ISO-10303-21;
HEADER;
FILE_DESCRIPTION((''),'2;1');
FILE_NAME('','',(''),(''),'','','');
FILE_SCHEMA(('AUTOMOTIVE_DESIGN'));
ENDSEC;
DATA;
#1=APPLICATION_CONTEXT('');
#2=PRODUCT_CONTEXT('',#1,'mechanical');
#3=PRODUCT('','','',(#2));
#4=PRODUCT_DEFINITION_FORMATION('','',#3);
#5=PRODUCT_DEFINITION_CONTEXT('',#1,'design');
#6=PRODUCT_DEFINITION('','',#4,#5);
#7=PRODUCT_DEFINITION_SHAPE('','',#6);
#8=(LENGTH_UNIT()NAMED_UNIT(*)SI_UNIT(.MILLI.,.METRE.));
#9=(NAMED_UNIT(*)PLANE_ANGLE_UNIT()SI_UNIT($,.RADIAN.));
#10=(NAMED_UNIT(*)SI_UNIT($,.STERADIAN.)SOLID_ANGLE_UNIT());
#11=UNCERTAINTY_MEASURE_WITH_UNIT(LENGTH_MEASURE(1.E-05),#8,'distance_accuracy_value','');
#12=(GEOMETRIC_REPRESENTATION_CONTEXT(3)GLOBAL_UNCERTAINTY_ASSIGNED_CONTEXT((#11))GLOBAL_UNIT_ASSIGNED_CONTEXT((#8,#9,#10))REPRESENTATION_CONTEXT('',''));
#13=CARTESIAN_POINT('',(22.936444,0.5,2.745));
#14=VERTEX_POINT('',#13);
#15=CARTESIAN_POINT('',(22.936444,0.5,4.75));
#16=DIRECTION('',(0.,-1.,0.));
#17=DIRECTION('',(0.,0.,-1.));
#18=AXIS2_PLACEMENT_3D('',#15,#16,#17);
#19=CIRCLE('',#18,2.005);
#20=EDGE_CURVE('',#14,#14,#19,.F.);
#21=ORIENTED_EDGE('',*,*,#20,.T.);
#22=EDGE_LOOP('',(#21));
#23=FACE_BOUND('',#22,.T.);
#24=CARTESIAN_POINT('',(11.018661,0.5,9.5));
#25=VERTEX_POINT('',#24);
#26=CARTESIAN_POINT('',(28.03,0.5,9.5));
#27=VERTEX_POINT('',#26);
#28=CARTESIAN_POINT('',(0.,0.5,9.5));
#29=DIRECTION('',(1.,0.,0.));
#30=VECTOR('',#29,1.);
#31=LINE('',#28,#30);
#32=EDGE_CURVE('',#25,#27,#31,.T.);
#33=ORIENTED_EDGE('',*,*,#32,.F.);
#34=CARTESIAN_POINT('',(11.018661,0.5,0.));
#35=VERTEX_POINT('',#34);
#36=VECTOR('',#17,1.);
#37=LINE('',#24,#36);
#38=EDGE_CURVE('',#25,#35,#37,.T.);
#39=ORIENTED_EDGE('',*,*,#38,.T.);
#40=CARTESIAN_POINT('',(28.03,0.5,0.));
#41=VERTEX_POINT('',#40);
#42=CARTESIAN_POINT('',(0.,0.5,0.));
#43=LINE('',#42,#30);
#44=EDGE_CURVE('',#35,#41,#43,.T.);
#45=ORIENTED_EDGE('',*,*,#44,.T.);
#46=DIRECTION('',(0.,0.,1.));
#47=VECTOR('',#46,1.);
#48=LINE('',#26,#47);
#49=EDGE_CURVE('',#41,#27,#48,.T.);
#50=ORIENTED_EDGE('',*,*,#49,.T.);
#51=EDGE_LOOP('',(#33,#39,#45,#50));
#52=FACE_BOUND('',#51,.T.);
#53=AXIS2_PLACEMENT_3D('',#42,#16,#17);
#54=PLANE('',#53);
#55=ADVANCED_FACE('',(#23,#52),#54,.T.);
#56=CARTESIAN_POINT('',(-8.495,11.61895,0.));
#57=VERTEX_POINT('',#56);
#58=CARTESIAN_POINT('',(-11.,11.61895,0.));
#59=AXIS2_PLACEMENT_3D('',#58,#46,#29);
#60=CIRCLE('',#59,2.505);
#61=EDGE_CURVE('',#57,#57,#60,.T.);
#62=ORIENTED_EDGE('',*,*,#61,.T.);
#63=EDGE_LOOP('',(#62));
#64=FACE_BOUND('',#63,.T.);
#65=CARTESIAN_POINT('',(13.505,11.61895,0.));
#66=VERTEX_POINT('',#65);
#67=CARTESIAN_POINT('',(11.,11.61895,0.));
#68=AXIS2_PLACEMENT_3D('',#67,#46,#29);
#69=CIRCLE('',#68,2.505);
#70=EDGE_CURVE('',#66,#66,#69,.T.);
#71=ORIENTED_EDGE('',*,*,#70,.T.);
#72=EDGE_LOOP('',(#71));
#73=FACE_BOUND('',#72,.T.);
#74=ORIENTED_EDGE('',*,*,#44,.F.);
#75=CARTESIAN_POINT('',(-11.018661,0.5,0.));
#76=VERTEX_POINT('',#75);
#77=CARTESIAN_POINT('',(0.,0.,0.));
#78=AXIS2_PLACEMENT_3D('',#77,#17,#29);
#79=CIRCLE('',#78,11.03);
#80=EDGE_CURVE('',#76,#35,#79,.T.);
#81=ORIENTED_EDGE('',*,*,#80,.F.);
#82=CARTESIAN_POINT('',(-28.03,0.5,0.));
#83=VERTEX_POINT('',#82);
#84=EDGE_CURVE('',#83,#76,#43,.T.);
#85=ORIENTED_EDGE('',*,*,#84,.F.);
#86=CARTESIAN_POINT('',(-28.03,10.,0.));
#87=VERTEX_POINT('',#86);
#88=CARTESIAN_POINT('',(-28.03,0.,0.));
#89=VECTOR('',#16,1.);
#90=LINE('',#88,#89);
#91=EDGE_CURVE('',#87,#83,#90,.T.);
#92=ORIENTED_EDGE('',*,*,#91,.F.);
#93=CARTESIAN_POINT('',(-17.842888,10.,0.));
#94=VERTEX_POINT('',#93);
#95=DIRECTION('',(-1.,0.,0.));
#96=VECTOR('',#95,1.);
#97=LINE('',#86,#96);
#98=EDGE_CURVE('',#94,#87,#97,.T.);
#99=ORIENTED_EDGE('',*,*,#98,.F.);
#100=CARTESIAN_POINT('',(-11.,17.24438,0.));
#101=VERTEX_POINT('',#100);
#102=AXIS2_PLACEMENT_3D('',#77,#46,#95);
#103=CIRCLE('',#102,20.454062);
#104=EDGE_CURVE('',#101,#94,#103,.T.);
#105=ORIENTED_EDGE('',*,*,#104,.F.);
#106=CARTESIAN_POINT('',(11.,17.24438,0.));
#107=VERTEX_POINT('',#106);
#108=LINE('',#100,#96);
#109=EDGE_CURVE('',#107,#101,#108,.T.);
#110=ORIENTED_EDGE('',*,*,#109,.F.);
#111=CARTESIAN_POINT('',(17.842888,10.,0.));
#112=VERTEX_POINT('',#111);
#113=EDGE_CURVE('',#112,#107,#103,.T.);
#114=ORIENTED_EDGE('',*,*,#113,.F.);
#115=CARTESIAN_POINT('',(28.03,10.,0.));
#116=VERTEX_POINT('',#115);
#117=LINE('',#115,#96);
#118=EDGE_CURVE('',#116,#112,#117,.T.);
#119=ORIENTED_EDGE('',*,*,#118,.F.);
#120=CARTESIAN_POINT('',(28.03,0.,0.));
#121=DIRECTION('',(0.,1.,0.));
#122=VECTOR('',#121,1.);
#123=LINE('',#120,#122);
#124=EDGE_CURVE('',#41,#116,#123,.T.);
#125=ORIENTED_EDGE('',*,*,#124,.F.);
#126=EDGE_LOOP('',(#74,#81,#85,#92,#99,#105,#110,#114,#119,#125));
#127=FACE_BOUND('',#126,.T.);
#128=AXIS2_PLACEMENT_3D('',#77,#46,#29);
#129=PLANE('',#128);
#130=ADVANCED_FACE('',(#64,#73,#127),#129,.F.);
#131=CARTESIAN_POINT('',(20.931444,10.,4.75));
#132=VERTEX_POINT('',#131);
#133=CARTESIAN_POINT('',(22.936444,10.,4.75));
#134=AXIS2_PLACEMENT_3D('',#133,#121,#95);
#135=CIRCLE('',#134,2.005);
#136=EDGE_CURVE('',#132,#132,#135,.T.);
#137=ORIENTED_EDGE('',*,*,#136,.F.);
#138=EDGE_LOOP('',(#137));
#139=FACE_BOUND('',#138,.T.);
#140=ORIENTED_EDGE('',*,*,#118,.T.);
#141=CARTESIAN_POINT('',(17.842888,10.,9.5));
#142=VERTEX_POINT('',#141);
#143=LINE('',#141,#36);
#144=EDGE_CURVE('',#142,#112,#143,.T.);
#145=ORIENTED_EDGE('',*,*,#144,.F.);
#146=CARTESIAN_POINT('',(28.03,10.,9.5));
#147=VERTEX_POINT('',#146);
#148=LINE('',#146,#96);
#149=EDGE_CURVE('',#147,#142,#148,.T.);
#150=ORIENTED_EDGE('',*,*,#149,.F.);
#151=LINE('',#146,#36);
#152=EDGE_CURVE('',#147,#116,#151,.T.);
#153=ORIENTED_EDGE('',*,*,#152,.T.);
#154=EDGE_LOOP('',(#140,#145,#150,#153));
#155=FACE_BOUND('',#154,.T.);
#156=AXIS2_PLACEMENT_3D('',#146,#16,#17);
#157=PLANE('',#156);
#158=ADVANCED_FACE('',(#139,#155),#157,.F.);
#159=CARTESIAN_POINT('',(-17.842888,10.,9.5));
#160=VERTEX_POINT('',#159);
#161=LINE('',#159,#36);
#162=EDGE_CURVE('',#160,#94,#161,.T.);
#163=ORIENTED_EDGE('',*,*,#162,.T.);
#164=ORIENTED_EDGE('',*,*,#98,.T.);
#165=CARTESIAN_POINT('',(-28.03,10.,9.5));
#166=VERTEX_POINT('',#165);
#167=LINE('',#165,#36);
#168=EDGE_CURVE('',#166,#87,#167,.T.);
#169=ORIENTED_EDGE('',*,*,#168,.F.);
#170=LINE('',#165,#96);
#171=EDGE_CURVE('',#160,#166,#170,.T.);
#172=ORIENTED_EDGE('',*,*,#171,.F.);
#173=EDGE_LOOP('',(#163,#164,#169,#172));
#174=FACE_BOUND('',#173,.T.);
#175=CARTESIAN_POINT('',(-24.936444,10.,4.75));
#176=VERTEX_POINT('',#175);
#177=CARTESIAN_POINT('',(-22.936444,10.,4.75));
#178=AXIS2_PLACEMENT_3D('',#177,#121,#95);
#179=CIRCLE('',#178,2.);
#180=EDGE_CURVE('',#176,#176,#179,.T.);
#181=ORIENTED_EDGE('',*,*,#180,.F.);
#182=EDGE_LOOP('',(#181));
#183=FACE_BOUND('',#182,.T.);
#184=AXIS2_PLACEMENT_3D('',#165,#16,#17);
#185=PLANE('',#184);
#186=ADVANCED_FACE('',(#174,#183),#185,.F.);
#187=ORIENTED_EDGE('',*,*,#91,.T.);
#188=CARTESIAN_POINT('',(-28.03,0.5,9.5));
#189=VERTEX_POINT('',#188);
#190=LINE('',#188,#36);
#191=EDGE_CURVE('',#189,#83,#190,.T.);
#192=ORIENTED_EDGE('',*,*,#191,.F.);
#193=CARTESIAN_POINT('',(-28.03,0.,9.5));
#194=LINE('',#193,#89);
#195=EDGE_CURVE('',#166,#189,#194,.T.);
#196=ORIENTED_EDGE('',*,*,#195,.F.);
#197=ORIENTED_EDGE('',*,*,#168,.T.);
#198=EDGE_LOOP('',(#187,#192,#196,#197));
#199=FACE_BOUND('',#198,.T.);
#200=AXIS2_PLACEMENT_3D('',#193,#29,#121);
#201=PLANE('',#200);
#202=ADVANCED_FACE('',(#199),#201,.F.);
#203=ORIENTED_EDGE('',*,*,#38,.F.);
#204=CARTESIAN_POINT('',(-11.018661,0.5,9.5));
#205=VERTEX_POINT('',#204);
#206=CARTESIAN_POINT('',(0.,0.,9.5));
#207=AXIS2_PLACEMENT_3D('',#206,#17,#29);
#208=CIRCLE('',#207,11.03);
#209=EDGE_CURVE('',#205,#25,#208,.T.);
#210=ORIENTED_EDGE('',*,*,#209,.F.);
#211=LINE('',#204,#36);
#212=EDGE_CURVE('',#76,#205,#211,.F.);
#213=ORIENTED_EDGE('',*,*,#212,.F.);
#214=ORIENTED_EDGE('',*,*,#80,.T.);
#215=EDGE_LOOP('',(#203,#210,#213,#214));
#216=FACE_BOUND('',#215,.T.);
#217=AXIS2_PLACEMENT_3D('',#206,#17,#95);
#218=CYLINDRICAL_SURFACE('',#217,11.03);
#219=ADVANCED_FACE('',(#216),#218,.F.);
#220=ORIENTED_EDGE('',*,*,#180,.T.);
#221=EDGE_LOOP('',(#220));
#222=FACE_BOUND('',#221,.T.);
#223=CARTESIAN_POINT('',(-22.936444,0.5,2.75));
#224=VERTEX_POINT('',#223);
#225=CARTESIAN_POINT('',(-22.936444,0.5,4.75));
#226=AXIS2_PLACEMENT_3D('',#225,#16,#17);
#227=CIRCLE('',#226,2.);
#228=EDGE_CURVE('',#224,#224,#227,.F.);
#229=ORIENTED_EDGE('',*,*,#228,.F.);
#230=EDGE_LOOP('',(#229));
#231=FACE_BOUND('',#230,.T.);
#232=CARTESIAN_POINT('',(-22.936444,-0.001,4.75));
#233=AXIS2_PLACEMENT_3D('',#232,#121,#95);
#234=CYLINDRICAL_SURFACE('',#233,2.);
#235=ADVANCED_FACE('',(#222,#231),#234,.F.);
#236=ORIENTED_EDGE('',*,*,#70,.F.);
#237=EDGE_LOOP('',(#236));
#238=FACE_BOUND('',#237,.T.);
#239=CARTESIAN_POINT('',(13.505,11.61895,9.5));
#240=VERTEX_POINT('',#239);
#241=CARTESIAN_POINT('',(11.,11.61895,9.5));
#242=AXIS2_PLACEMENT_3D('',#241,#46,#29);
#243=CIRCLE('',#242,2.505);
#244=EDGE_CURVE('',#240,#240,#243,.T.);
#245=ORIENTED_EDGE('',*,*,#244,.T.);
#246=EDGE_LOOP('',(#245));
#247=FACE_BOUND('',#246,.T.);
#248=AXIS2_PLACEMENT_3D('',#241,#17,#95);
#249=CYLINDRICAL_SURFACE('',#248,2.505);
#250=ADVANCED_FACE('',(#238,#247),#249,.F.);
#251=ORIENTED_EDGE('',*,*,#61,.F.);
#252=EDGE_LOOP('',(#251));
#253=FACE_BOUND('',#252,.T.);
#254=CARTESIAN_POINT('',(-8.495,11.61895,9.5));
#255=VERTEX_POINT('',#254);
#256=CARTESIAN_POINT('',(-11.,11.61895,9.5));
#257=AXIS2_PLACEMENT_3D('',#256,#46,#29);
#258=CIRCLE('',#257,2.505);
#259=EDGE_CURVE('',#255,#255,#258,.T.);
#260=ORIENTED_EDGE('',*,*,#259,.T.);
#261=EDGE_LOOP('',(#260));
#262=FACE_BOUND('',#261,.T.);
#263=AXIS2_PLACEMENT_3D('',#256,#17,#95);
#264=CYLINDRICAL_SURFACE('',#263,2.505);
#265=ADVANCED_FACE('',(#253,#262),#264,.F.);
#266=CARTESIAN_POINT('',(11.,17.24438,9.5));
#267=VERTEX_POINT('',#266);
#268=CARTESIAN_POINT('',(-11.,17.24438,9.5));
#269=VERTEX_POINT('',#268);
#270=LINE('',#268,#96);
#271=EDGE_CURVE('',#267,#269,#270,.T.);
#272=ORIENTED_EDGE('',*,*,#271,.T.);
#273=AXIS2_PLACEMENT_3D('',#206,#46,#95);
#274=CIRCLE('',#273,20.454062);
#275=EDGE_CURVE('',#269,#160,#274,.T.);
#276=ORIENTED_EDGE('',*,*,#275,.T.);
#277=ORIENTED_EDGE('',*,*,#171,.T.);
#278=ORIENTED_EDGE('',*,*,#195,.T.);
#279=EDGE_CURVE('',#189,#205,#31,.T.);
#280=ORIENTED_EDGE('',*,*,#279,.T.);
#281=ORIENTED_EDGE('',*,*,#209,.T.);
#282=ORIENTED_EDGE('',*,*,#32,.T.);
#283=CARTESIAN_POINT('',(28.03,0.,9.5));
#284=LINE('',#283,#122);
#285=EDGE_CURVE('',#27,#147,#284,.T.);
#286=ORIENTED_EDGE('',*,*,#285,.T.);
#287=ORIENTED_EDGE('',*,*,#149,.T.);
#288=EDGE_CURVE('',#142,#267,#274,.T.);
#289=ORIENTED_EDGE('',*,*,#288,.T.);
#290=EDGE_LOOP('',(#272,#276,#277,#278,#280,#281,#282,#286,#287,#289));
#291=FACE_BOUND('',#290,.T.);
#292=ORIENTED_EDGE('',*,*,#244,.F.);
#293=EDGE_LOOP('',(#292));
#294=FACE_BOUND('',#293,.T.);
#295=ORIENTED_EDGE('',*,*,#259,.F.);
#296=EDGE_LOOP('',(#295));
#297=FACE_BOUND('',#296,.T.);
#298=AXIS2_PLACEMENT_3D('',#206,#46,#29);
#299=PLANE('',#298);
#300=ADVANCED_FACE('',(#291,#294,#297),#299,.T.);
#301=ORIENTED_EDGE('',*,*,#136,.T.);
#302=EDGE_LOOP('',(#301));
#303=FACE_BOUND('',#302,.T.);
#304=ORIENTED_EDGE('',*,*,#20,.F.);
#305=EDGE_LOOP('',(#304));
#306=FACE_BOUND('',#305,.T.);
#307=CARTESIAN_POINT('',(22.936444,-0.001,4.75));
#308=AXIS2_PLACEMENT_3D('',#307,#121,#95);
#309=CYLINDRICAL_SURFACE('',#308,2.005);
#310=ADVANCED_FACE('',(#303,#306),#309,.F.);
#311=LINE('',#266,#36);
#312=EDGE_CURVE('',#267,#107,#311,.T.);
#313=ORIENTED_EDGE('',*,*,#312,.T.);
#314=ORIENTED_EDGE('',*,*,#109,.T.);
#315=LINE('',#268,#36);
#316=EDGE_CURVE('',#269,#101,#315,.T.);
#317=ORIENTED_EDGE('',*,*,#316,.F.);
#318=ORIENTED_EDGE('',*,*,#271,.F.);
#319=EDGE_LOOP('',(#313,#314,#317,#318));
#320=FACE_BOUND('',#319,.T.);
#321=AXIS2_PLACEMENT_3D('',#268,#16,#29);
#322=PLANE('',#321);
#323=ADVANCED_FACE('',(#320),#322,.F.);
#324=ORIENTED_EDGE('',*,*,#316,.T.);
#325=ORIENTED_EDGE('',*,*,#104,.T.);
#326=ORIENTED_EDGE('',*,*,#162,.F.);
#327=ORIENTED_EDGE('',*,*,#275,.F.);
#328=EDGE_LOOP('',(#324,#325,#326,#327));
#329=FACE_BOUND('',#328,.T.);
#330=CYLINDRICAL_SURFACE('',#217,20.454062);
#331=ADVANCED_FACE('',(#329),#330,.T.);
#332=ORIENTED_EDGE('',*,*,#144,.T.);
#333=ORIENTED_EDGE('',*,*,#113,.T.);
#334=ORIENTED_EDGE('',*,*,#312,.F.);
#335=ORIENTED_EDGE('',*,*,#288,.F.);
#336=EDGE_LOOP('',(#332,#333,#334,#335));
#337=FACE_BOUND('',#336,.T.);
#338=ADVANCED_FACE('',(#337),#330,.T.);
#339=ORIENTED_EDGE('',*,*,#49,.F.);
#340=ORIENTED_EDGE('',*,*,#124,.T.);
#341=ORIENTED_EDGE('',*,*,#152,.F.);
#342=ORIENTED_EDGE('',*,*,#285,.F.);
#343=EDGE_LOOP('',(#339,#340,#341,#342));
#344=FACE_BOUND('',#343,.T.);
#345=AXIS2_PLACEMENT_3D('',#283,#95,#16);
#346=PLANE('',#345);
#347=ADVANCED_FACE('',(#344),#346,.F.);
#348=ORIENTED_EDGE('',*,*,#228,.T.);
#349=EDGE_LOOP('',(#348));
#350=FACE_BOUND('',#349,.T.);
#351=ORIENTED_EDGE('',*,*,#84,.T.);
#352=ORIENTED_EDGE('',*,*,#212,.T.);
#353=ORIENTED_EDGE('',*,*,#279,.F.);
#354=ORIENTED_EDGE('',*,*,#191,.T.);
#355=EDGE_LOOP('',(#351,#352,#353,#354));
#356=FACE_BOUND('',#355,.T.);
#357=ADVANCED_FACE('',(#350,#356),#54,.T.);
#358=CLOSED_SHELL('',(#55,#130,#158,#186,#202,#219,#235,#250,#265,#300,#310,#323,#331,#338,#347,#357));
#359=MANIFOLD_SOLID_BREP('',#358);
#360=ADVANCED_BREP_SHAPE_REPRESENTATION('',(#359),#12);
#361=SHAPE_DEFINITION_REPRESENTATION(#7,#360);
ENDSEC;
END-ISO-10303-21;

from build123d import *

# Parameters (mm, degrees)
SKETCH1_R           = 2.505
BOSS_EXTRUDE2_DEPTH = 9.5
CUT_EXTRUDE1_REACH  = 12
SKETCH2_R           = 2.005
SKETCH2_R_2         = 2
SKETCH3_W           = 72.995776
SKETCH3_H           = 18.148858384
CUT_EXTRUDE2_DEPTH  = 0.5


with BuildPart() as part:
    # Sketch1 → Boss-Extrude2 (new body)
    with BuildSketch(Plane.XY):
        with BuildLine():
            Line((-11.03, 0), (-28.03, 0))
            Line((-28.03, 0), (-28.03, 10))
            Line((-28.03, 10), (-17.842887818, 10))
            ThreePointArc((-17.842887818, 10), (-14.869374743, 14.045296026), (-11, 17.244380119))
            Line((-11, 17.244380119), (11, 17.244380119))
            ThreePointArc((11, 17.244380119), (14.869374743, 14.045296026), (17.842887818, 10))
            Line((17.842887818, 10), (28.03, 10))
            Line((28.03, 10), (28.03, 0))
            Line((28.03, 0), (11.03, 0))
            ThreePointArc((11.03, 0), (0, 11.03), (-11.03, 0))
        make_face()
        with Locations((11, 11.618950039)):
            Circle(SKETCH1_R, mode=Mode.SUBTRACT)
        with Locations((-11, 11.618950039)):
            Circle(SKETCH1_R, mode=Mode.SUBTRACT)
    extrude(amount=BOSS_EXTRUDE2_DEPTH)

    # Sketch2 → Cut-Extrude1 (cut, up to next)
    with BuildSketch(Plane(origin=(0, 10, 0), x_dir=(1, 0, 0), z_dir=(0, 1, 0)), mode=Mode.PRIVATE) as cut_extrude1_sk1:
        with Locations((22.936443909, -4.75)):
            Circle(SKETCH2_R)
    cut_extrude1_tool1 = extrude(cut_extrude1_sk1.sketch, amount=-CUT_EXTRUDE1_REACH, mode=Mode.PRIVATE) & part.part
    add(cut_extrude1_tool1.solids().sort_by_distance((22.936444, 10, 4.75))[0], mode=Mode.SUBTRACT)
    # Sketch2 → Cut-Extrude1 (cut, up to next)
    with BuildSketch(Plane(origin=(0, 10, 0), x_dir=(1, 0, 0), z_dir=(0, 1, 0)), mode=Mode.PRIVATE) as cut_extrude1_sk2:
        with Locations((-22.936443909, -4.75)):
            Circle(SKETCH2_R_2)
    cut_extrude1_tool2 = extrude(cut_extrude1_sk2.sketch, amount=-CUT_EXTRUDE1_REACH, mode=Mode.PRIVATE) & part.part
    add(cut_extrude1_tool2.solids().sort_by_distance((-22.936444, 10, 4.75))[0], mode=Mode.SUBTRACT)

    # Sketch3 → Cut-Extrude2 (cut)
    with BuildSketch(Plane.XZ):
        with Locations((1.301113009, 1.807163247)):
            Rectangle(SKETCH3_W, SKETCH3_H)
    extrude(amount=-CUT_EXTRUDE2_DEPTH, mode=Mode.SUBTRACT)


solid = part.part
